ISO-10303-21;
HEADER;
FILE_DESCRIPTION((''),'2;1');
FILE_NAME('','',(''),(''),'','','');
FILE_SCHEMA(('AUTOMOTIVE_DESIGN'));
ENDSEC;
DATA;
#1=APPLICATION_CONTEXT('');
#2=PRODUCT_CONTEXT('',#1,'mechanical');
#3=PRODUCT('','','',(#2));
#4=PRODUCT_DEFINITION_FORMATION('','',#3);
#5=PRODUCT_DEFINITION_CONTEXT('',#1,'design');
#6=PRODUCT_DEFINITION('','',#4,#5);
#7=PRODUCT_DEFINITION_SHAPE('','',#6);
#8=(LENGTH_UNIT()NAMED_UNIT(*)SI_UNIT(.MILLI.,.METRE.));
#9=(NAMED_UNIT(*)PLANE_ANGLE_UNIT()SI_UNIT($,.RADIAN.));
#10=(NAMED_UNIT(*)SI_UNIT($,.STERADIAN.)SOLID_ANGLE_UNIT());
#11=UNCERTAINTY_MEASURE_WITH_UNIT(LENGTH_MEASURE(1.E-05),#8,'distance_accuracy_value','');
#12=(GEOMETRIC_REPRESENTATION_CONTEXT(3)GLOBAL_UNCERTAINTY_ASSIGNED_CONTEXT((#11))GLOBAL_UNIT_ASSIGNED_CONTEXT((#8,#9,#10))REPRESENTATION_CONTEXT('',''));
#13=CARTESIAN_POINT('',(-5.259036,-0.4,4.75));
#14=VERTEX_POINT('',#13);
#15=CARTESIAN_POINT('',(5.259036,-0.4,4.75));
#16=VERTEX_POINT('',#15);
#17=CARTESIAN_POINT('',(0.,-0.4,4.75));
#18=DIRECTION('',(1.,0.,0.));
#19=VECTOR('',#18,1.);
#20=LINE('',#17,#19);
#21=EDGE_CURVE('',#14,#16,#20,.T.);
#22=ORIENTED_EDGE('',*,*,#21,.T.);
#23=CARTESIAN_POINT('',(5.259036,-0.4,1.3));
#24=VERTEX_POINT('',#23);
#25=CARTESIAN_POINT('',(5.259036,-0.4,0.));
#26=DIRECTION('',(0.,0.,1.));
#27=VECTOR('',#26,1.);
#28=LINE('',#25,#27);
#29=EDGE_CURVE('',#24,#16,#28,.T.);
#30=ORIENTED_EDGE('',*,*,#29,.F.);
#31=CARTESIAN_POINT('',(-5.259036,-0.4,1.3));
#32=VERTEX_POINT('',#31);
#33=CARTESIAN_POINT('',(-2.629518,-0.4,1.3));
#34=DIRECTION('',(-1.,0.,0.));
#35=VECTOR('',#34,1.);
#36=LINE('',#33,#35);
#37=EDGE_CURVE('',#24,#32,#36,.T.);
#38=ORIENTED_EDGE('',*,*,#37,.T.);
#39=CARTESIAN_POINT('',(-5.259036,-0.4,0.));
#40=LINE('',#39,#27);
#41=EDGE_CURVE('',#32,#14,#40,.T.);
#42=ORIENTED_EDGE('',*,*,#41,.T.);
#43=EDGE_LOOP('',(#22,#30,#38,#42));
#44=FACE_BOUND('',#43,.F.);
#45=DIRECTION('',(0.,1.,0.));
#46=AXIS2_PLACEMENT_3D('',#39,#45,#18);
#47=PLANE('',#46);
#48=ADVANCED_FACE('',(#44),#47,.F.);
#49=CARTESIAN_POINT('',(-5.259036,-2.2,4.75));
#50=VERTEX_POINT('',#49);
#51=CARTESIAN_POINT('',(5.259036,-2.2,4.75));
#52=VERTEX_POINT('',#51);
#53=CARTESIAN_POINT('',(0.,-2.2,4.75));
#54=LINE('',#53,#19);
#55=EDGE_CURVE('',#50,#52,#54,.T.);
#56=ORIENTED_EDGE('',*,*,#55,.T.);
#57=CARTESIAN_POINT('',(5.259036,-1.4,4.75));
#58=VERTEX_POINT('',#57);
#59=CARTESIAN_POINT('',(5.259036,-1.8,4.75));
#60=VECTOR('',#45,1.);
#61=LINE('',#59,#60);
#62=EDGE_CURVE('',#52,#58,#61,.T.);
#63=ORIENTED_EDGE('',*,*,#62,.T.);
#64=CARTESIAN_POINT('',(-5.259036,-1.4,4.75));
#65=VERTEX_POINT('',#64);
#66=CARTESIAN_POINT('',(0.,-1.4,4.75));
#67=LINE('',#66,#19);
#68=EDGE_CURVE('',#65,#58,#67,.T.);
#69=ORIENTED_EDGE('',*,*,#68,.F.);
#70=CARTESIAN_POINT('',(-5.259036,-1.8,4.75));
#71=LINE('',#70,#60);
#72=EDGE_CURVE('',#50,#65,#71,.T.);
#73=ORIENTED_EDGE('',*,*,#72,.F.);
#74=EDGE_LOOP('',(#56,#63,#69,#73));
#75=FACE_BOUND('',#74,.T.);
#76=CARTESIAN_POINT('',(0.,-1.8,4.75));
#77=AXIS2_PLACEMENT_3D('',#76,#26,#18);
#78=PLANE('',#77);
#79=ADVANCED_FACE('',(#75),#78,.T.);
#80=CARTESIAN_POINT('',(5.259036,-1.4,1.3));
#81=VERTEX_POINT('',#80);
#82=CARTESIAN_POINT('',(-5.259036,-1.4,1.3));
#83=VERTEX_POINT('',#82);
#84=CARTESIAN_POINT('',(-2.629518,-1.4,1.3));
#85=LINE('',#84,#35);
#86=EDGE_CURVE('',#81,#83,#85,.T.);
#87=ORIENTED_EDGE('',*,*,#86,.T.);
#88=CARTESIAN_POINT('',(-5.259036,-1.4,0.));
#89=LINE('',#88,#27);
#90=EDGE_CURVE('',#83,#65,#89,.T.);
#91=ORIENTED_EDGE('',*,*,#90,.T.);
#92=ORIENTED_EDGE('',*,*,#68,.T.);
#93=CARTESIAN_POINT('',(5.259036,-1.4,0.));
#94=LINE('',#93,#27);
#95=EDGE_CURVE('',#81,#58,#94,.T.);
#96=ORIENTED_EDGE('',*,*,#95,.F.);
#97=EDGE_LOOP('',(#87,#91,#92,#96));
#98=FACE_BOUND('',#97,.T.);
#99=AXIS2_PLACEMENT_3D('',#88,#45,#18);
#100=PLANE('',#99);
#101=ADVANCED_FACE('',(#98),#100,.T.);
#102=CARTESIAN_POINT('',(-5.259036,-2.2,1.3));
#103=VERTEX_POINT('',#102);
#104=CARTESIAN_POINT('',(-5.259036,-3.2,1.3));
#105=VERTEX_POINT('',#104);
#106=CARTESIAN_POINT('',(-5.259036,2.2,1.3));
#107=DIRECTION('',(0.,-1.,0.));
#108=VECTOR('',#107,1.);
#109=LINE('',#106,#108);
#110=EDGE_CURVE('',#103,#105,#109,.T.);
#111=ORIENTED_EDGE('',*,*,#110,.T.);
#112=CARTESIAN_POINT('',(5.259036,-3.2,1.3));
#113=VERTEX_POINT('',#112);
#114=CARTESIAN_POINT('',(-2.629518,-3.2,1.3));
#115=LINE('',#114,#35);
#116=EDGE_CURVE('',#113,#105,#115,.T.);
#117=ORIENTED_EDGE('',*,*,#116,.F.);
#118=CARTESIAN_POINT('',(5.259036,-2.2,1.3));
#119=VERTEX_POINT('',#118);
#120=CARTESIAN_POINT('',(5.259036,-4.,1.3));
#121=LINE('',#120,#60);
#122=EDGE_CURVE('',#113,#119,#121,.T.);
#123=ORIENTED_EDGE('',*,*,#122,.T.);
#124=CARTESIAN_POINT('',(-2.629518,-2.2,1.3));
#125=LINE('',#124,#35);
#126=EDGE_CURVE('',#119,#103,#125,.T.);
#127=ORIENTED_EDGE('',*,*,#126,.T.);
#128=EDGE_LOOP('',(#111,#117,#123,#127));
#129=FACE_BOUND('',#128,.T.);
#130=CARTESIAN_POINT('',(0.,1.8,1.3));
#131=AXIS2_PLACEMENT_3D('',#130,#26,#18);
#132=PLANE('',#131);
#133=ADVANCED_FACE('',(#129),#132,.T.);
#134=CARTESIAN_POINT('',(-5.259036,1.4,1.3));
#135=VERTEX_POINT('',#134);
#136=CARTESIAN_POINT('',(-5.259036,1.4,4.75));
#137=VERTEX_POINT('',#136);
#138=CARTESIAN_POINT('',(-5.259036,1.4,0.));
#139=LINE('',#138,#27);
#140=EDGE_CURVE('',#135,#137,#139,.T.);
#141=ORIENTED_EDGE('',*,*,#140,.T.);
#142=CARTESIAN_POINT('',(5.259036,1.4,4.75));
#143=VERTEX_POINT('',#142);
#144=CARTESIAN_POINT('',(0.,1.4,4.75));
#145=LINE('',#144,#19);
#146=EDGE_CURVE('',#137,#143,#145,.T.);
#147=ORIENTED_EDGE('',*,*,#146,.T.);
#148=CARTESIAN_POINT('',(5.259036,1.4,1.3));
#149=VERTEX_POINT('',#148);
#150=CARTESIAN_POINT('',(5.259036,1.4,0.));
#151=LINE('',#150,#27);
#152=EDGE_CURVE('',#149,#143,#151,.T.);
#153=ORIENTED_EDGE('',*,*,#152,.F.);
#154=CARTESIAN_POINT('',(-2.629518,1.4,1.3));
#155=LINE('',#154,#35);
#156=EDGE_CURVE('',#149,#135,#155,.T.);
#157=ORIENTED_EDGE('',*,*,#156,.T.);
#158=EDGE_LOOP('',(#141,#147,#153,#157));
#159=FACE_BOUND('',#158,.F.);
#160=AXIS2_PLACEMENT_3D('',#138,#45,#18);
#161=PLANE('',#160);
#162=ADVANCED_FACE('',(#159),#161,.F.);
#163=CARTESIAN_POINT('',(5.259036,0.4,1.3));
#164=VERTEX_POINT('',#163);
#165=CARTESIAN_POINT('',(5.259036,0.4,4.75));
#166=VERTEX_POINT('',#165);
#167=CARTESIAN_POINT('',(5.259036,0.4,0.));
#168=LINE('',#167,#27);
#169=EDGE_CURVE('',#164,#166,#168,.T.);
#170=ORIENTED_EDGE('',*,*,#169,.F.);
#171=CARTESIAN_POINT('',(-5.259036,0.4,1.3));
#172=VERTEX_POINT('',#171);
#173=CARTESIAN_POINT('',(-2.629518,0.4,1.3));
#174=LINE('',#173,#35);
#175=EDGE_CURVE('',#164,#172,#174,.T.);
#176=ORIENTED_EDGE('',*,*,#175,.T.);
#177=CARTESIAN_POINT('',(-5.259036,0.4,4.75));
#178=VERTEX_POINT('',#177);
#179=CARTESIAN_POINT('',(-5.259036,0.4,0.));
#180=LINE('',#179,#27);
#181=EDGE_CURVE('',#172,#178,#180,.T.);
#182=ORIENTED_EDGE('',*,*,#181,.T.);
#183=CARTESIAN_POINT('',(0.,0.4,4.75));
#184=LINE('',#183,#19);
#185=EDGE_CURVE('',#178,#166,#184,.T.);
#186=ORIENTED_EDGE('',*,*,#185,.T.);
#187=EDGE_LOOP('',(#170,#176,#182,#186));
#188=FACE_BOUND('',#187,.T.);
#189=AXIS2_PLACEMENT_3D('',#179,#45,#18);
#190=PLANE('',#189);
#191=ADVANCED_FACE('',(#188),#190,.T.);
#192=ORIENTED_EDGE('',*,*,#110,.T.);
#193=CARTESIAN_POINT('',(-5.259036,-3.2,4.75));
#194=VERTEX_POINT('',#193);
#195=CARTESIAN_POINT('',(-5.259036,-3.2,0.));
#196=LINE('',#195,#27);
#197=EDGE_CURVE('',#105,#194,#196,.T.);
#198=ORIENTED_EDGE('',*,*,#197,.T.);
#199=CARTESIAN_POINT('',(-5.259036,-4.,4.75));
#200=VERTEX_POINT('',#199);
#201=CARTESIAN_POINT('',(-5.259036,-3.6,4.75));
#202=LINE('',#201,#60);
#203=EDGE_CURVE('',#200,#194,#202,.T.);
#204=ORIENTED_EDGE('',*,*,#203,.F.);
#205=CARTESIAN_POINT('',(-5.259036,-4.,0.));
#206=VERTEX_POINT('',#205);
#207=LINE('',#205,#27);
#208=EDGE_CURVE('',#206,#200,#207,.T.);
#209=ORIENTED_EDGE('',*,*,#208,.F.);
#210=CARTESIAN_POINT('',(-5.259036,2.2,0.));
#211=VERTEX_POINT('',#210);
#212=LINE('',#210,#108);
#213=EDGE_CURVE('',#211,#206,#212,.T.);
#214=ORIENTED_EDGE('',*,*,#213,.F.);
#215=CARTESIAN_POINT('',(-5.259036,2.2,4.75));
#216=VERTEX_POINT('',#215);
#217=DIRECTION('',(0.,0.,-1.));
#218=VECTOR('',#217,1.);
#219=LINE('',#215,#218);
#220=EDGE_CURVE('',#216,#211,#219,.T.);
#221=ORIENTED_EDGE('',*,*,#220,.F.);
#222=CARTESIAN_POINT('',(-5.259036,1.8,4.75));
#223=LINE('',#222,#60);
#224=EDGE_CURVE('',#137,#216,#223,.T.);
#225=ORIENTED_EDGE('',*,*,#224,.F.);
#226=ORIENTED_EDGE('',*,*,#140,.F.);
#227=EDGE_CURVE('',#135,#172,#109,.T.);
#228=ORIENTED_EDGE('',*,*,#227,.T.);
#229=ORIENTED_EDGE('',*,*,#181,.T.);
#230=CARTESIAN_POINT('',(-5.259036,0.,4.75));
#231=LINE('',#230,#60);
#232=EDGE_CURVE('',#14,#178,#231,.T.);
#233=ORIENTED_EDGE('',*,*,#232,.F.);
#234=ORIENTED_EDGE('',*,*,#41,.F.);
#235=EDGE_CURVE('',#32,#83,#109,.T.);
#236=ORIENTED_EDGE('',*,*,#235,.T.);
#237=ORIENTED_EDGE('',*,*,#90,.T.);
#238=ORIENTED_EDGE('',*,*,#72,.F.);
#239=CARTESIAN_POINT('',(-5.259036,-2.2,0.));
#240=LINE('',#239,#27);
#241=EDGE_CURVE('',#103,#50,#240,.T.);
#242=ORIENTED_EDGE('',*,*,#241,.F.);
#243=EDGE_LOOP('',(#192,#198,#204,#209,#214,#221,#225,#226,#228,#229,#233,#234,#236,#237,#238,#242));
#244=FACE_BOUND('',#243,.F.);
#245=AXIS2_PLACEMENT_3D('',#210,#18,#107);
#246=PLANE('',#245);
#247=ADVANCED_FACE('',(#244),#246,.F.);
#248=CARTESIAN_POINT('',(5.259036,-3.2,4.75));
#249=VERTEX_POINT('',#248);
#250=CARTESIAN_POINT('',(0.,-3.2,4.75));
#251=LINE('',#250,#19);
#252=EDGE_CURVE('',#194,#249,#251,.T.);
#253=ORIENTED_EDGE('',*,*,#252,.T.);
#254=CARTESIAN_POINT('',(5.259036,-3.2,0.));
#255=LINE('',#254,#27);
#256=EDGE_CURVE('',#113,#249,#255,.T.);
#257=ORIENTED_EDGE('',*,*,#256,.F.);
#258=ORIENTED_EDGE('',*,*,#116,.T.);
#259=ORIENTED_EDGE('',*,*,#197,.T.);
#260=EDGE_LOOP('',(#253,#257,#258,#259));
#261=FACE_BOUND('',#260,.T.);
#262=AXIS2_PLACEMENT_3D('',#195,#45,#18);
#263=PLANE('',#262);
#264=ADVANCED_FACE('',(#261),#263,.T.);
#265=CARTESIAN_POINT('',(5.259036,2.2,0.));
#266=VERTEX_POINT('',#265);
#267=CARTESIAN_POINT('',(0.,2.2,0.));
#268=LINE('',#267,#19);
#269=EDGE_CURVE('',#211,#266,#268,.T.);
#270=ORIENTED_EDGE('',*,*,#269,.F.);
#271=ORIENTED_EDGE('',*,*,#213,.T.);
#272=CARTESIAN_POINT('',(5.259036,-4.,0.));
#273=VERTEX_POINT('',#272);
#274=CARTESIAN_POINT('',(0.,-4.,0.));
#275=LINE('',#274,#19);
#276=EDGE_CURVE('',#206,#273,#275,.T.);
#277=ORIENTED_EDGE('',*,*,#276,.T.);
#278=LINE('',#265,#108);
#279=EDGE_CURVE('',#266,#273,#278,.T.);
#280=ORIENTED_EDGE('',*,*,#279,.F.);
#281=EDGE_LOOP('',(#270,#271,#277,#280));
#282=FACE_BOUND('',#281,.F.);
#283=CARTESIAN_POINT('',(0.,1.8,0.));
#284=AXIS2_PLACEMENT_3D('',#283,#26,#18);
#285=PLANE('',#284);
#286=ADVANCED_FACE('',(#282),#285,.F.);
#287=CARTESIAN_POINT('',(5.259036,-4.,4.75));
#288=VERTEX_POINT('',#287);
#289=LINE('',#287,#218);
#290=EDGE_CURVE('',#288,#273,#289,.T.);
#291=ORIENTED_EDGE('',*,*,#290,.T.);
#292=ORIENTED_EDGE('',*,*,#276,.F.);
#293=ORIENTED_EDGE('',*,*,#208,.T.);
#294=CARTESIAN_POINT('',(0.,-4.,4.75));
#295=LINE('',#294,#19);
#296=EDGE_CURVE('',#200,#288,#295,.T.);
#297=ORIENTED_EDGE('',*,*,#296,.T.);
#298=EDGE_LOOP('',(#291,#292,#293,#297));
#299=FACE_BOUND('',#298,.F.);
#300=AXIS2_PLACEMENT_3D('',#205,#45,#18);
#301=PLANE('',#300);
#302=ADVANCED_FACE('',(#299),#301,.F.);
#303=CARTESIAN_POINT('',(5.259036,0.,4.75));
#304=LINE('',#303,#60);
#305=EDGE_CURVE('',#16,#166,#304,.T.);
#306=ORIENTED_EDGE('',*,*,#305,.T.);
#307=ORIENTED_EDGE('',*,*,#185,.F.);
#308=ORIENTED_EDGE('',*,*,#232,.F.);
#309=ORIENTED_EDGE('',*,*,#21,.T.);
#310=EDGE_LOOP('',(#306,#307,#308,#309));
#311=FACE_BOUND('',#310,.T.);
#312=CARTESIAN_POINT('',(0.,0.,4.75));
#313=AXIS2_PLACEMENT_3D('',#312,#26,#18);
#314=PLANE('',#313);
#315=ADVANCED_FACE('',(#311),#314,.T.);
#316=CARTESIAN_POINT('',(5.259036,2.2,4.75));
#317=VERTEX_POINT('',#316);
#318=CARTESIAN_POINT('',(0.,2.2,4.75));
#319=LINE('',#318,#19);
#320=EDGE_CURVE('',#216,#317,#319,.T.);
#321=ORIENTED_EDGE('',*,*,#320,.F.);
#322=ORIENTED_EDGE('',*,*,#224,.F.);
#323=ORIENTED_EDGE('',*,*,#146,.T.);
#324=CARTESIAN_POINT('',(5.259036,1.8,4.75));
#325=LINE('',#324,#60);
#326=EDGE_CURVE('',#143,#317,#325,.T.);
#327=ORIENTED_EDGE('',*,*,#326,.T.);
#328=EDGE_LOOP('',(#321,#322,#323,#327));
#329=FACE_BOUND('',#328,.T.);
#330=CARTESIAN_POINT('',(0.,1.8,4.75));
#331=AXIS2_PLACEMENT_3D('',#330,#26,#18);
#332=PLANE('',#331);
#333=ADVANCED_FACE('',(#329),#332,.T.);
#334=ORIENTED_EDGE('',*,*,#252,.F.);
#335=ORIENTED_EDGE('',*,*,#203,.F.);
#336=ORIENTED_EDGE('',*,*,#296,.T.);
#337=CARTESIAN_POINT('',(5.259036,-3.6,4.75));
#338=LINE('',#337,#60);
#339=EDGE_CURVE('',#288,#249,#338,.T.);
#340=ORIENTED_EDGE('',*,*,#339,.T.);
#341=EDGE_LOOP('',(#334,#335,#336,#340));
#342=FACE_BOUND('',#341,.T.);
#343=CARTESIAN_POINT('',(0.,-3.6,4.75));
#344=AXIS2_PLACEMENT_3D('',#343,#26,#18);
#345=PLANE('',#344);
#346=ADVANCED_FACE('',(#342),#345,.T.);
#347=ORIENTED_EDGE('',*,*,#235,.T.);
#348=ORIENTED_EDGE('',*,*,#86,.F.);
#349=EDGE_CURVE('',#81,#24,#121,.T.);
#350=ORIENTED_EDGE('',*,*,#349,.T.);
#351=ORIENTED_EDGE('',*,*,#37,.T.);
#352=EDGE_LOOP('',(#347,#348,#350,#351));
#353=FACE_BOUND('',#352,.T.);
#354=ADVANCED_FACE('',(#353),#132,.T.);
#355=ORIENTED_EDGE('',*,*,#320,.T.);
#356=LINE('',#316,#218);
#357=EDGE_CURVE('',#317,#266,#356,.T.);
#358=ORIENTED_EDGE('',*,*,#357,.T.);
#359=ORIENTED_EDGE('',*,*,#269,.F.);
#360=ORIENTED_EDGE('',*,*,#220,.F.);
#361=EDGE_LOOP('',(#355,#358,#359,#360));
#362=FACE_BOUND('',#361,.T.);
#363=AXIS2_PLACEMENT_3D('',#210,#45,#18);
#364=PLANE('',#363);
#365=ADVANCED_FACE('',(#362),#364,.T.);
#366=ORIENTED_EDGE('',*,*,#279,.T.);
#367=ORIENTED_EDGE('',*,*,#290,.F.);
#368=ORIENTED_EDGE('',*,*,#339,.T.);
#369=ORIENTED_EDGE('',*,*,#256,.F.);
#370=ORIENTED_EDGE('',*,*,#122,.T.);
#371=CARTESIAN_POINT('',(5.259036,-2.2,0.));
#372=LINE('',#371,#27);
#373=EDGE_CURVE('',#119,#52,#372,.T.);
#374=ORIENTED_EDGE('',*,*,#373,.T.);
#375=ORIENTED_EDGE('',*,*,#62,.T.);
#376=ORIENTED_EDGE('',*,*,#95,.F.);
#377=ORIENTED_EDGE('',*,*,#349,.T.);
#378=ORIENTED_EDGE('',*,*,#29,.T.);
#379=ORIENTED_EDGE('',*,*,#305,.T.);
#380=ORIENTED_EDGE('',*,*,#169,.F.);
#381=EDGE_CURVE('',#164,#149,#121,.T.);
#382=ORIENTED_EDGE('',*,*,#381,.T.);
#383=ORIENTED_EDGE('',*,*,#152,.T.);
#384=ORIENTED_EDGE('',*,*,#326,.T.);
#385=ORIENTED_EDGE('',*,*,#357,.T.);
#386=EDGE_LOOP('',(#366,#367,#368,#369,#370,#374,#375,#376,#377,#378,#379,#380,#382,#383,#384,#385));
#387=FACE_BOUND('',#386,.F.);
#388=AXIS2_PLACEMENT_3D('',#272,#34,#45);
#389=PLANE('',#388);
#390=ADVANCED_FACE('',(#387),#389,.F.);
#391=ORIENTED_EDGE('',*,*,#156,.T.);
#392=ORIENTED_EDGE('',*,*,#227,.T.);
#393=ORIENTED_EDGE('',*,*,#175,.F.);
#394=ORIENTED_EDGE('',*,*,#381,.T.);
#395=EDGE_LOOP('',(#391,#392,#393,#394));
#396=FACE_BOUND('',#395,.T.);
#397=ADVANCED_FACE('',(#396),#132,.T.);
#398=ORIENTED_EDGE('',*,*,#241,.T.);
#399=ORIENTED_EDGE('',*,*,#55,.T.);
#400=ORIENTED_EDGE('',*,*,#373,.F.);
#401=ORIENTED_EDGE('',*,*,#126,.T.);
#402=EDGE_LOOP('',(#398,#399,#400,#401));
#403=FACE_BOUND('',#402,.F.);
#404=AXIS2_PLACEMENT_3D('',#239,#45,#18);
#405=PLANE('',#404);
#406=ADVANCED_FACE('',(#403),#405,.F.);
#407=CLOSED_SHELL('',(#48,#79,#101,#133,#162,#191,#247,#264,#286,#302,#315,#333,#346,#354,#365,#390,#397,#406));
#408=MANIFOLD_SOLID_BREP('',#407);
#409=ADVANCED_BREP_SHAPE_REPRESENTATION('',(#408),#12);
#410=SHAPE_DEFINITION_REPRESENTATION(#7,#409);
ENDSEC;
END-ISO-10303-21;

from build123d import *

# Parameters (mm, degrees)
F0_W     = 10.518072
F0_H     = 0.8
F0_H_2   = 1
F1_DEPTH = 1.3
F2_DEPTH = 4.75


with BuildPart() as f1:
    # F0 (on Top) → F1 (new body)
    with BuildSketch(Plane.XY):
        with Locations((0, 1.8)):
            Rectangle(F0_W, F0_H)
        with Locations((0, 0.9)):
            Rectangle(F0_W, F0_H_2)
        Rectangle(F0_W, F0_H)
        with Locations((0, -0.9)):
            Rectangle(F0_W, F0_H_2)
        with Locations((0, -1.8)):
            Rectangle(F0_W, F0_H)
        with Locations((0, -2.7)):
            Rectangle(F0_W, F0_H_2)
        with Locations((0, -3.6)):
            Rectangle(F0_W, F0_H)
    extrude(amount=F1_DEPTH)

    # F0 (on Top) → F2 (join)
    with BuildSketch(Plane.XY):
        with Locations((0, 1.8)):
            Rectangle(F0_W, F0_H)
        Rectangle(F0_W, F0_H)
        with Locations((0, -1.8)):
            Rectangle(F0_W, F0_H)
        with Locations((0, -3.6)):
            Rectangle(F0_W, F0_H)
    extrude(amount=F2_DEPTH)


solid = f1.part
